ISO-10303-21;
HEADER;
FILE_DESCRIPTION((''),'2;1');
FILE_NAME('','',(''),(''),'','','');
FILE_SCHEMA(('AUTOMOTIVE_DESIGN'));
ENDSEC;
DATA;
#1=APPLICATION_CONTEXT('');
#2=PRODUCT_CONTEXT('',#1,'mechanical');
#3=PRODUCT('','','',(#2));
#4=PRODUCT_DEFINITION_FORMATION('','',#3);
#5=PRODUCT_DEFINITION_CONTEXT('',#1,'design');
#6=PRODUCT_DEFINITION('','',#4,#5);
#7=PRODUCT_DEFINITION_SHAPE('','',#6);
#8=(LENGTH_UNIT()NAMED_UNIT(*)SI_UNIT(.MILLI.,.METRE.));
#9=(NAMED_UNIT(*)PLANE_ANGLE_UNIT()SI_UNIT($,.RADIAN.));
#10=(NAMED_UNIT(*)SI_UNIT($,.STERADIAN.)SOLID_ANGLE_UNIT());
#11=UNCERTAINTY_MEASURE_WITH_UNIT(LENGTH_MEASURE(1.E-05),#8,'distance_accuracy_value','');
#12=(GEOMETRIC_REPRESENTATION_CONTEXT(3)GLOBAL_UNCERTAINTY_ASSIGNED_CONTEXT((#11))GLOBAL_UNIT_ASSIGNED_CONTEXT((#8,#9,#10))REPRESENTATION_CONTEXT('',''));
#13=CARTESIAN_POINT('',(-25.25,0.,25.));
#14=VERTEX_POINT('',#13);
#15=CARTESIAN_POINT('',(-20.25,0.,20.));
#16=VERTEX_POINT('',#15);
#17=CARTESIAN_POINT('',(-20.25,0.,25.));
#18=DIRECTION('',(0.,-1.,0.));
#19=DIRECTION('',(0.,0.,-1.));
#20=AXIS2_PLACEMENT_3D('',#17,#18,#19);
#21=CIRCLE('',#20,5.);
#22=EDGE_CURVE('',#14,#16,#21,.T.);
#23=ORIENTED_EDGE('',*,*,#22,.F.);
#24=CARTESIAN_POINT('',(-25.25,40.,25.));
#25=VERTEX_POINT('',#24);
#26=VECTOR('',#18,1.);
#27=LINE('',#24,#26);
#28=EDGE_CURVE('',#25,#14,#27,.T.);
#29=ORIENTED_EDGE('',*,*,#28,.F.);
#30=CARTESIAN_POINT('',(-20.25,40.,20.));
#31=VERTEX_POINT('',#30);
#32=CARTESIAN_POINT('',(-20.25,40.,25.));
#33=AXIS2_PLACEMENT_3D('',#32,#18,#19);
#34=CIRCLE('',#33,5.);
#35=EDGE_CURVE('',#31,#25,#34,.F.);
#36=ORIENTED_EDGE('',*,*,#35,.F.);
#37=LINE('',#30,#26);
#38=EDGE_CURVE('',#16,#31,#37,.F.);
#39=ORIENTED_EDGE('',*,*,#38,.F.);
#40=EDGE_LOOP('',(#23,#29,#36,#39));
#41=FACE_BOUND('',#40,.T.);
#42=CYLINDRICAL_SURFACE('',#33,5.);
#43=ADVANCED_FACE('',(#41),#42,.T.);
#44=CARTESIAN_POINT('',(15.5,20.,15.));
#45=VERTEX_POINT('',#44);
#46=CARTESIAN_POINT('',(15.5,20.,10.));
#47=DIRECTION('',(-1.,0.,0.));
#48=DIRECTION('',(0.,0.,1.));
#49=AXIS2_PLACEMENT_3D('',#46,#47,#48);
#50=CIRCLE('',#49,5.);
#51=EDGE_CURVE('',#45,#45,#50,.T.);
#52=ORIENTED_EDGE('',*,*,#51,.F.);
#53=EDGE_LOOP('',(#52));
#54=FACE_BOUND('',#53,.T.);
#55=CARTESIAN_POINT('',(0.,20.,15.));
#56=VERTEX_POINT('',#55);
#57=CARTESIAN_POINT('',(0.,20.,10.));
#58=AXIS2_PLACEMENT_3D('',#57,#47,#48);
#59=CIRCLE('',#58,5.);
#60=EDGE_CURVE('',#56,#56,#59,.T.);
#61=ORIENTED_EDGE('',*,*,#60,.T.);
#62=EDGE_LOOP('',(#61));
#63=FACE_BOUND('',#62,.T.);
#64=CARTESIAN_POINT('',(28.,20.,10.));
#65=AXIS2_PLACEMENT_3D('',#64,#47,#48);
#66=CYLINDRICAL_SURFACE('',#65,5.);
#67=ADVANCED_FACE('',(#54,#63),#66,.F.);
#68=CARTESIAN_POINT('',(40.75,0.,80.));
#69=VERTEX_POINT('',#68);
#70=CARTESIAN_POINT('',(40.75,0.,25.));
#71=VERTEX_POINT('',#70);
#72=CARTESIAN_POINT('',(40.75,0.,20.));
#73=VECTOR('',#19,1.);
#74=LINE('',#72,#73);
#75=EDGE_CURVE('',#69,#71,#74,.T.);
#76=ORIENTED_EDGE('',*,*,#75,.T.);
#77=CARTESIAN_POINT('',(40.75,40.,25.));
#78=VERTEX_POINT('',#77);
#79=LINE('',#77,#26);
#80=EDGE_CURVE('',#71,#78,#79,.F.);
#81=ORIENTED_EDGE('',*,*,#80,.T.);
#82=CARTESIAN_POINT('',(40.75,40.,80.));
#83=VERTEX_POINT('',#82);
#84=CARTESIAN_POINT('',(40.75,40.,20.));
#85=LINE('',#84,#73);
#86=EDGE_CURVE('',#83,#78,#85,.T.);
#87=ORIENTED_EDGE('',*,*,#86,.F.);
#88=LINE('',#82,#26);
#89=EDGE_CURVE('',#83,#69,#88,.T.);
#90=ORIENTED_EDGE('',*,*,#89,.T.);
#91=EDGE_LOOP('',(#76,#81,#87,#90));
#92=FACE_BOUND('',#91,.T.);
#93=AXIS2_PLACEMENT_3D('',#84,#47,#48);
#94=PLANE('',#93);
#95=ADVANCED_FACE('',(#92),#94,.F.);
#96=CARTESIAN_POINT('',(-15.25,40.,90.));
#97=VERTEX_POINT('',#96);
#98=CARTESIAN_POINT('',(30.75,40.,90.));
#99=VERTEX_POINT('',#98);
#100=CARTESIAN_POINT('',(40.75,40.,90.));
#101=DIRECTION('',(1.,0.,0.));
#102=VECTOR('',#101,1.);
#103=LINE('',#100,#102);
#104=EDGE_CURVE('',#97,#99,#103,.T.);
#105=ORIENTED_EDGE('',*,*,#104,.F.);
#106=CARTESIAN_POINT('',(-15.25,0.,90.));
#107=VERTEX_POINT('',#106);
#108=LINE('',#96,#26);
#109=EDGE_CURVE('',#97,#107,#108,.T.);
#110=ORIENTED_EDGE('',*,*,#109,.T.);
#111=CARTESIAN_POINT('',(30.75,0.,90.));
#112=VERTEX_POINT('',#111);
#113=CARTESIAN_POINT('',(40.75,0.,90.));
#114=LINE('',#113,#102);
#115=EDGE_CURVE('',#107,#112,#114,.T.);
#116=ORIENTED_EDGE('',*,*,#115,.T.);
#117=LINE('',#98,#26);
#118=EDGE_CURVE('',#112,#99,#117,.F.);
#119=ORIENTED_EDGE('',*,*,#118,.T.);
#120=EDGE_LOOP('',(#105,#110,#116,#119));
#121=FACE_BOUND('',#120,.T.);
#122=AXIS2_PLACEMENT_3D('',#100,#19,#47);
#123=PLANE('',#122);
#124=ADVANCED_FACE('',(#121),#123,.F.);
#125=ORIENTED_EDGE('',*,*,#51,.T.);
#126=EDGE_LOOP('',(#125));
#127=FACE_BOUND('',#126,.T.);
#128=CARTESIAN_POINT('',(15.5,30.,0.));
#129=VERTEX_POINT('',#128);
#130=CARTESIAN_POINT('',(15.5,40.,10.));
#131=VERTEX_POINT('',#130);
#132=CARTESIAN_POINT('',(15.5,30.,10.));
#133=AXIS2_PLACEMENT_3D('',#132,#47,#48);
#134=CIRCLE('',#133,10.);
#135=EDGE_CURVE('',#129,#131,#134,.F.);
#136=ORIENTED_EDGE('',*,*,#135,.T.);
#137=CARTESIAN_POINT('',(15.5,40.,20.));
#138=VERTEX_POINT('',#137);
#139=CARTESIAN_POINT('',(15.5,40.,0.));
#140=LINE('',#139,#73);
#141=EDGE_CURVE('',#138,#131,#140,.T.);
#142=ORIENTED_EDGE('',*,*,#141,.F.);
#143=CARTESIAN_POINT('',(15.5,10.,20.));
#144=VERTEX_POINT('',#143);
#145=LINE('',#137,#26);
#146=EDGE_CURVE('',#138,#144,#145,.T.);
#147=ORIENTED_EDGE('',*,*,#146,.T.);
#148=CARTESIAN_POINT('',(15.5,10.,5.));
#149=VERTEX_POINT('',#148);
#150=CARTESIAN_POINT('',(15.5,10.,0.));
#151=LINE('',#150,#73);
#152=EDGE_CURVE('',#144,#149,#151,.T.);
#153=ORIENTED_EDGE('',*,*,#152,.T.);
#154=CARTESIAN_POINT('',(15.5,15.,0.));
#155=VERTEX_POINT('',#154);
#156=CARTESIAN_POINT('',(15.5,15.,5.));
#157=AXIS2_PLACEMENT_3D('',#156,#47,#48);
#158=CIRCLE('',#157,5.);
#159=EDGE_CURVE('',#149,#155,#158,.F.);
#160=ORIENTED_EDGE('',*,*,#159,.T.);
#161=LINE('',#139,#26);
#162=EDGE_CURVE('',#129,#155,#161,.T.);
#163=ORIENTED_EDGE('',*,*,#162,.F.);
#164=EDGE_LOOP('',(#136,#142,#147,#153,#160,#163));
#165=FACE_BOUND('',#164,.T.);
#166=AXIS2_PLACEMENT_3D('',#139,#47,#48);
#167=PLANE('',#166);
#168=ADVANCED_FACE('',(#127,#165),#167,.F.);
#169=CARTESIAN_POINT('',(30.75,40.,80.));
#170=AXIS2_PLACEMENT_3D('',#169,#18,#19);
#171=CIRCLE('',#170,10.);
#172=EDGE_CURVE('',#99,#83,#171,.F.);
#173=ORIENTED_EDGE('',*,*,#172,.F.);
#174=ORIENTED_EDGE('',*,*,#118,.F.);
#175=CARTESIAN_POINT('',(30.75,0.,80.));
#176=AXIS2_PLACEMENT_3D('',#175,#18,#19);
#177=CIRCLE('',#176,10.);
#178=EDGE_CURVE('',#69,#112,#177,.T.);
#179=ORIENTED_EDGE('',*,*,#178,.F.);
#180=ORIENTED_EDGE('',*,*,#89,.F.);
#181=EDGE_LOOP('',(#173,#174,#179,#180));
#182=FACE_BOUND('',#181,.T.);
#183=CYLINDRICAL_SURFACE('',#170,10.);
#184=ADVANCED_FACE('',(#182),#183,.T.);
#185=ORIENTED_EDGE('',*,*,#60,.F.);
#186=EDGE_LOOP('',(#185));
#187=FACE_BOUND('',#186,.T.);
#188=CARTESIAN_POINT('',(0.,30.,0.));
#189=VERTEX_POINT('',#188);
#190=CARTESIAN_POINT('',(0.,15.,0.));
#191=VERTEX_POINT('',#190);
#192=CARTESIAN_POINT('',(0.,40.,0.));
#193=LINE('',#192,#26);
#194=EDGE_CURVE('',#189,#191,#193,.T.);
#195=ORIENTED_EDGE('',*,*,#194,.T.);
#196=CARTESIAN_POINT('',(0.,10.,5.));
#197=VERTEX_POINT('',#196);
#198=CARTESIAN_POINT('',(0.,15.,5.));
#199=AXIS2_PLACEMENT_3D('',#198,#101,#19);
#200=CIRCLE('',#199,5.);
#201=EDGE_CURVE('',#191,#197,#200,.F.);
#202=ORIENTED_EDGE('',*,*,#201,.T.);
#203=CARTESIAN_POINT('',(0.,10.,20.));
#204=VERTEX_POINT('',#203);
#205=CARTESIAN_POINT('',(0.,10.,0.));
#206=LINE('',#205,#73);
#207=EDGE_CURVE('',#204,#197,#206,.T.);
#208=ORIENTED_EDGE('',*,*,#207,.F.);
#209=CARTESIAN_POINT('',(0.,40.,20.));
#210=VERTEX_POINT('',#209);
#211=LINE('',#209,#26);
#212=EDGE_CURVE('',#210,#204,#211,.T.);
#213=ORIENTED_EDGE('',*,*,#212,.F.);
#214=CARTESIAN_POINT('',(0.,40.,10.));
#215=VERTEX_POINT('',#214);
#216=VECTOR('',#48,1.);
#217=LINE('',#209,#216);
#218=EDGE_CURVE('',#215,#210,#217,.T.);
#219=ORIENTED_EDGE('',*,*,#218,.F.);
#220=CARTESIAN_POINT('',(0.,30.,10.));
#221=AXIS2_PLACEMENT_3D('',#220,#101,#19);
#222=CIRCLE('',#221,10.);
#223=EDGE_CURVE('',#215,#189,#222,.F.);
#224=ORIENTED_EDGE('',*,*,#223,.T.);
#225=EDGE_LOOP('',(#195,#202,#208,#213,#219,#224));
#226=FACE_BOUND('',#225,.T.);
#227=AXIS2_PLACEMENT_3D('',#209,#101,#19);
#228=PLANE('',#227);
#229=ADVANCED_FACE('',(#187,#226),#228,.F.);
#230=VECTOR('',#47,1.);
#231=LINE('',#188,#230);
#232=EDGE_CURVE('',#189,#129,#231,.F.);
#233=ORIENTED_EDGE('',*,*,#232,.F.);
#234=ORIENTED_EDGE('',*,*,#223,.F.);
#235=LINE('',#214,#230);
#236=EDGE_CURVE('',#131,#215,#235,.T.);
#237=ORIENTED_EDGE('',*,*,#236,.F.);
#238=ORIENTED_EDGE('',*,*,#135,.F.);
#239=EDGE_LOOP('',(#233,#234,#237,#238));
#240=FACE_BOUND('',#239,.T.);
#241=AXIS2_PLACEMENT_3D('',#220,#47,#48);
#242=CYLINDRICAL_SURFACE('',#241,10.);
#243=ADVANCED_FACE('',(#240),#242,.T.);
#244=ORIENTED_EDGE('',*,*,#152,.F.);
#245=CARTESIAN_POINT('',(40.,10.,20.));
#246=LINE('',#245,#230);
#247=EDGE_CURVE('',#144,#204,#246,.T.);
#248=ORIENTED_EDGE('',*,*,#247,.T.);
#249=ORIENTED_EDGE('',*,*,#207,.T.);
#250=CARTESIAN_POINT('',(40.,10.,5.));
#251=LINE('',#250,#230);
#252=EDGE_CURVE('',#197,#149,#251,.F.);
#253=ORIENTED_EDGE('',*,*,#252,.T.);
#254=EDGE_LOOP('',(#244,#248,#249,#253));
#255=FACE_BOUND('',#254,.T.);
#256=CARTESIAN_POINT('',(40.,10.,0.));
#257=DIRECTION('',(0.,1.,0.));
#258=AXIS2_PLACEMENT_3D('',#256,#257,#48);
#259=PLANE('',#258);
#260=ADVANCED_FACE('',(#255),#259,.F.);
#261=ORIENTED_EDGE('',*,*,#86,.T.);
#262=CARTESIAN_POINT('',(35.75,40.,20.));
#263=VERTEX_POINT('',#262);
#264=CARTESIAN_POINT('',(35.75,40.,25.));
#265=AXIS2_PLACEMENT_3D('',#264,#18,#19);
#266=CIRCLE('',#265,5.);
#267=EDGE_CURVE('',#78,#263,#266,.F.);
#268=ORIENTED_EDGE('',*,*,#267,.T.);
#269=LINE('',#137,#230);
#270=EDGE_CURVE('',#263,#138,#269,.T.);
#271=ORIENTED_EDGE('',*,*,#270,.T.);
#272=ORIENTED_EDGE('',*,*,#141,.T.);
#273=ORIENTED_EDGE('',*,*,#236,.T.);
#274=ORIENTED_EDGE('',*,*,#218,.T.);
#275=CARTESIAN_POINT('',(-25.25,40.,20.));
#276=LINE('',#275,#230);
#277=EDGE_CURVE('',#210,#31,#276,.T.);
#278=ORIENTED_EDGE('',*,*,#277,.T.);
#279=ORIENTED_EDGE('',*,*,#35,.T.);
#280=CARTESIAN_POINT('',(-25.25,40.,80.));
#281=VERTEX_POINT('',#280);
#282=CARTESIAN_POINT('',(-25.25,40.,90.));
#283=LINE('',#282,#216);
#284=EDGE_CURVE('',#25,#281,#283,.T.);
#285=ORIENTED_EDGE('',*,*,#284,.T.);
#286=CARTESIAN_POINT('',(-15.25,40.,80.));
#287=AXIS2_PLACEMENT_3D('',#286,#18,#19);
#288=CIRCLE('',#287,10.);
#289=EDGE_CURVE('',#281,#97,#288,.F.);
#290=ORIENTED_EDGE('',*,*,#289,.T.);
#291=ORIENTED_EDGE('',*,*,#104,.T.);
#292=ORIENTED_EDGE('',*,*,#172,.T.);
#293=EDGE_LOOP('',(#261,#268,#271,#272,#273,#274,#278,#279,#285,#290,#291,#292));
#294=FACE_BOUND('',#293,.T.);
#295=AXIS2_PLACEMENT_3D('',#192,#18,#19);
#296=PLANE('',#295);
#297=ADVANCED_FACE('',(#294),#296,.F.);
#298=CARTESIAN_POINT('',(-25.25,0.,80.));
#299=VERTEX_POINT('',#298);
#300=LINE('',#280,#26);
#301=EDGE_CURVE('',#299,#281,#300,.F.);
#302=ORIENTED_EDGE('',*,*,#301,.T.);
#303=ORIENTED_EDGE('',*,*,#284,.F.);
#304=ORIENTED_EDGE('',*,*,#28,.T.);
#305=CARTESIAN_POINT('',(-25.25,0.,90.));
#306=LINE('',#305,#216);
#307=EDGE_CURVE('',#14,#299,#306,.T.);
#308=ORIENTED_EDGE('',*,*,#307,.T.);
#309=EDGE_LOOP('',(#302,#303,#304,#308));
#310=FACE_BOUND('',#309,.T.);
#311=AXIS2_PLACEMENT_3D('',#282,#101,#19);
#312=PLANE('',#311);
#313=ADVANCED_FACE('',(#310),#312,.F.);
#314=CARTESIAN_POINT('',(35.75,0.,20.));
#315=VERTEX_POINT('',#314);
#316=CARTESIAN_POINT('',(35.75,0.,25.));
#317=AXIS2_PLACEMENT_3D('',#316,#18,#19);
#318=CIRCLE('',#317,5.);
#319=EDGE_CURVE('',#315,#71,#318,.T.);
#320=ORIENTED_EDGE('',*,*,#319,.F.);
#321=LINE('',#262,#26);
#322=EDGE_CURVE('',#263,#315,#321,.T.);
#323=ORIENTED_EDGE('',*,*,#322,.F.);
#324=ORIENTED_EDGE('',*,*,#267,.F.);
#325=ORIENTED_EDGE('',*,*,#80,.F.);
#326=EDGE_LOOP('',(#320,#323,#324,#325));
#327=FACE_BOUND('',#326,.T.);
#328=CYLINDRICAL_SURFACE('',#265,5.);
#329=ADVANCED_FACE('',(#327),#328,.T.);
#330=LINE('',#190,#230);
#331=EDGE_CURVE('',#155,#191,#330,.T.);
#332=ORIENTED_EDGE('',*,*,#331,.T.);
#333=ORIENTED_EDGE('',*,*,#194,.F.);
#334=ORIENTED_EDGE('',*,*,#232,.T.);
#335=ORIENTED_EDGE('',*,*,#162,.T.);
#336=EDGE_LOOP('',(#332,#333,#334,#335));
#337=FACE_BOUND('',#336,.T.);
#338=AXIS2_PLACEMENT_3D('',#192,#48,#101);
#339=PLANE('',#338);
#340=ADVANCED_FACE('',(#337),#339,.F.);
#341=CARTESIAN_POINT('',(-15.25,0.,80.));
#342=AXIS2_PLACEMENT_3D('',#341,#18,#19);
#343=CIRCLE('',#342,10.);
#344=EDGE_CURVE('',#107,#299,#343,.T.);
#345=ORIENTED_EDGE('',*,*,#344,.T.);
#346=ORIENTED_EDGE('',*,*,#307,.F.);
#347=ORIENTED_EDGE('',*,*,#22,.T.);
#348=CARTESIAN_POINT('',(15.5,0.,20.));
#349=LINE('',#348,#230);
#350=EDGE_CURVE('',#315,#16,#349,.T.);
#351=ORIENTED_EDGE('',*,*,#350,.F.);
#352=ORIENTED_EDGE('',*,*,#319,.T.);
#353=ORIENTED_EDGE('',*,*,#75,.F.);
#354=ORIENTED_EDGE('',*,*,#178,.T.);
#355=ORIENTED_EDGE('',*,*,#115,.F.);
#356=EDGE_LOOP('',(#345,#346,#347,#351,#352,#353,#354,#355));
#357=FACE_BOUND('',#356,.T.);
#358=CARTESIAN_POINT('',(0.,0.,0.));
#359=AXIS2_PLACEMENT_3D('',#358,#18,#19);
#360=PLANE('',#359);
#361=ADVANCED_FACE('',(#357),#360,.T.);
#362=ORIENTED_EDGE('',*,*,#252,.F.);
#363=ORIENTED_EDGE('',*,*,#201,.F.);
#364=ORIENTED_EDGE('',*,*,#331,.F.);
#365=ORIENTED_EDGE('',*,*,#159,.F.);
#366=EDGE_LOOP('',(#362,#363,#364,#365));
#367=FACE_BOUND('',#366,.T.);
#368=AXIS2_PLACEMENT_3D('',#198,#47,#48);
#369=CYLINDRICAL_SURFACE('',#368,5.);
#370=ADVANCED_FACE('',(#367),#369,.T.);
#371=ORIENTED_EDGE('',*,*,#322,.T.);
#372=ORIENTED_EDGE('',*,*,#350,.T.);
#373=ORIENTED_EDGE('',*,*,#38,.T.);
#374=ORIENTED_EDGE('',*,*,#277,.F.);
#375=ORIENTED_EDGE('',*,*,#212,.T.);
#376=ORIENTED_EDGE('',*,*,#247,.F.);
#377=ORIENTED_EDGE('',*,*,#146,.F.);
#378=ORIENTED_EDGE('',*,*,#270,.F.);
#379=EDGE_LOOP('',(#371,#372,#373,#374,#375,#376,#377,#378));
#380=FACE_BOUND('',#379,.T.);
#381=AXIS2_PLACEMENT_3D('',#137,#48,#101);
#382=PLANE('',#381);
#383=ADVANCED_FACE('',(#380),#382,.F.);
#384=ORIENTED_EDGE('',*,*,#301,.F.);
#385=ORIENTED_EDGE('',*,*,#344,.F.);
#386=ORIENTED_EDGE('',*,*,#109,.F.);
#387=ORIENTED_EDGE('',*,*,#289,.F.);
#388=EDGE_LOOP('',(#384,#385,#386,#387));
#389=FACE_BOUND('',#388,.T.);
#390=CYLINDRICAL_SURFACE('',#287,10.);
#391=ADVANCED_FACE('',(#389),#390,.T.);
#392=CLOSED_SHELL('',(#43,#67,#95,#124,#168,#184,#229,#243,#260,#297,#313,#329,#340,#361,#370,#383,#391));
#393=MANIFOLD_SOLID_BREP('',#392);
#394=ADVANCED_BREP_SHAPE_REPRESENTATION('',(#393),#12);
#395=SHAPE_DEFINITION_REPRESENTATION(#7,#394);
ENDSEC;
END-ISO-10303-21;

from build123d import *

# Parameters (mm, degrees)
BOSS_EXTRUDE2_DEPTH = 40
FILLET1_R           = 10
FILLET2_R           = 10
FILLET3_R           = 10
SKETCH3_W           = 20
SKETCH3_H           = 10
CUT_EXTRUDE2_DEPTH  = 40
FILLET4_R           = 5
FILLET5_R           = 5
FILLET6_R           = 5
SKETCH2_R           = 5
CUT_EXTRUDE3_DEPTH  = 28


with BuildPart() as part:
    # Sketch1 → Boss-Extrude2 (new body)
    with BuildSketch(Plane(origin=(0, 0, 0), x_dir=(1, 0, 0), z_dir=(0, 1, 0))):
        Polygon((0, 0), (15.5, 0), (15.5, -20), (40.75, -20), (40.75, -90), (-25.25, -90), (-25.25, -20), (0, -20), align=None)
    extrude(amount=BOSS_EXTRUDE2_DEPTH)

    # Fillet1
    fillet1_edges = [part.edges().sort_by_distance(p)[0] for p in [
        (7.75, 40, 0),
    ]]
    fillet(fillet1_edges, radius=FILLET1_R)

    # Fillet2
    fillet2_edges = [part.edges().sort_by_distance(p)[0] for p in [
        (40.75, 20, 90),
    ]]
    fillet(fillet2_edges, radius=FILLET2_R)

    # Fillet3
    fillet3_edges = [part.edges().sort_by_distance(p)[0] for p in [
        (-25.25, 20, 90),
    ]]
    fillet(fillet3_edges, radius=FILLET3_R)

    # Sketch3 → Cut-Extrude2 (cut)
    with BuildSketch(Plane.ZY):
        with Locations((10, 5)):
            Rectangle(SKETCH3_W, SKETCH3_H)
    extrude(amount=-CUT_EXTRUDE2_DEPTH, mode=Mode.SUBTRACT)

    # Fillet4
    fillet4_edges = [part.edges().sort_by_distance(p)[0] for p in [
        (7.75, 10, 0),
    ]]
    fillet(fillet4_edges, radius=FILLET4_R)

    # Fillet5
    fillet5_edges = [part.edges().sort_by_distance(p)[0] for p in [
        (-25.25, 20, 20),
    ]]
    fillet(fillet5_edges, radius=FILLET5_R)

    # Fillet6
    fillet6_edges = [part.edges().sort_by_distance(p)[0] for p in [
        (40.75, 20, 20),
    ]]
    fillet(fillet6_edges, radius=FILLET6_R)

    # Sketch2 → Cut-Extrude3 (cut)
    with BuildSketch(Plane.ZY):
        with Locations((10, 20)):
            Circle(SKETCH2_R)
    extrude(amount=-CUT_EXTRUDE3_DEPTH, mode=Mode.SUBTRACT)


solid = part.part
